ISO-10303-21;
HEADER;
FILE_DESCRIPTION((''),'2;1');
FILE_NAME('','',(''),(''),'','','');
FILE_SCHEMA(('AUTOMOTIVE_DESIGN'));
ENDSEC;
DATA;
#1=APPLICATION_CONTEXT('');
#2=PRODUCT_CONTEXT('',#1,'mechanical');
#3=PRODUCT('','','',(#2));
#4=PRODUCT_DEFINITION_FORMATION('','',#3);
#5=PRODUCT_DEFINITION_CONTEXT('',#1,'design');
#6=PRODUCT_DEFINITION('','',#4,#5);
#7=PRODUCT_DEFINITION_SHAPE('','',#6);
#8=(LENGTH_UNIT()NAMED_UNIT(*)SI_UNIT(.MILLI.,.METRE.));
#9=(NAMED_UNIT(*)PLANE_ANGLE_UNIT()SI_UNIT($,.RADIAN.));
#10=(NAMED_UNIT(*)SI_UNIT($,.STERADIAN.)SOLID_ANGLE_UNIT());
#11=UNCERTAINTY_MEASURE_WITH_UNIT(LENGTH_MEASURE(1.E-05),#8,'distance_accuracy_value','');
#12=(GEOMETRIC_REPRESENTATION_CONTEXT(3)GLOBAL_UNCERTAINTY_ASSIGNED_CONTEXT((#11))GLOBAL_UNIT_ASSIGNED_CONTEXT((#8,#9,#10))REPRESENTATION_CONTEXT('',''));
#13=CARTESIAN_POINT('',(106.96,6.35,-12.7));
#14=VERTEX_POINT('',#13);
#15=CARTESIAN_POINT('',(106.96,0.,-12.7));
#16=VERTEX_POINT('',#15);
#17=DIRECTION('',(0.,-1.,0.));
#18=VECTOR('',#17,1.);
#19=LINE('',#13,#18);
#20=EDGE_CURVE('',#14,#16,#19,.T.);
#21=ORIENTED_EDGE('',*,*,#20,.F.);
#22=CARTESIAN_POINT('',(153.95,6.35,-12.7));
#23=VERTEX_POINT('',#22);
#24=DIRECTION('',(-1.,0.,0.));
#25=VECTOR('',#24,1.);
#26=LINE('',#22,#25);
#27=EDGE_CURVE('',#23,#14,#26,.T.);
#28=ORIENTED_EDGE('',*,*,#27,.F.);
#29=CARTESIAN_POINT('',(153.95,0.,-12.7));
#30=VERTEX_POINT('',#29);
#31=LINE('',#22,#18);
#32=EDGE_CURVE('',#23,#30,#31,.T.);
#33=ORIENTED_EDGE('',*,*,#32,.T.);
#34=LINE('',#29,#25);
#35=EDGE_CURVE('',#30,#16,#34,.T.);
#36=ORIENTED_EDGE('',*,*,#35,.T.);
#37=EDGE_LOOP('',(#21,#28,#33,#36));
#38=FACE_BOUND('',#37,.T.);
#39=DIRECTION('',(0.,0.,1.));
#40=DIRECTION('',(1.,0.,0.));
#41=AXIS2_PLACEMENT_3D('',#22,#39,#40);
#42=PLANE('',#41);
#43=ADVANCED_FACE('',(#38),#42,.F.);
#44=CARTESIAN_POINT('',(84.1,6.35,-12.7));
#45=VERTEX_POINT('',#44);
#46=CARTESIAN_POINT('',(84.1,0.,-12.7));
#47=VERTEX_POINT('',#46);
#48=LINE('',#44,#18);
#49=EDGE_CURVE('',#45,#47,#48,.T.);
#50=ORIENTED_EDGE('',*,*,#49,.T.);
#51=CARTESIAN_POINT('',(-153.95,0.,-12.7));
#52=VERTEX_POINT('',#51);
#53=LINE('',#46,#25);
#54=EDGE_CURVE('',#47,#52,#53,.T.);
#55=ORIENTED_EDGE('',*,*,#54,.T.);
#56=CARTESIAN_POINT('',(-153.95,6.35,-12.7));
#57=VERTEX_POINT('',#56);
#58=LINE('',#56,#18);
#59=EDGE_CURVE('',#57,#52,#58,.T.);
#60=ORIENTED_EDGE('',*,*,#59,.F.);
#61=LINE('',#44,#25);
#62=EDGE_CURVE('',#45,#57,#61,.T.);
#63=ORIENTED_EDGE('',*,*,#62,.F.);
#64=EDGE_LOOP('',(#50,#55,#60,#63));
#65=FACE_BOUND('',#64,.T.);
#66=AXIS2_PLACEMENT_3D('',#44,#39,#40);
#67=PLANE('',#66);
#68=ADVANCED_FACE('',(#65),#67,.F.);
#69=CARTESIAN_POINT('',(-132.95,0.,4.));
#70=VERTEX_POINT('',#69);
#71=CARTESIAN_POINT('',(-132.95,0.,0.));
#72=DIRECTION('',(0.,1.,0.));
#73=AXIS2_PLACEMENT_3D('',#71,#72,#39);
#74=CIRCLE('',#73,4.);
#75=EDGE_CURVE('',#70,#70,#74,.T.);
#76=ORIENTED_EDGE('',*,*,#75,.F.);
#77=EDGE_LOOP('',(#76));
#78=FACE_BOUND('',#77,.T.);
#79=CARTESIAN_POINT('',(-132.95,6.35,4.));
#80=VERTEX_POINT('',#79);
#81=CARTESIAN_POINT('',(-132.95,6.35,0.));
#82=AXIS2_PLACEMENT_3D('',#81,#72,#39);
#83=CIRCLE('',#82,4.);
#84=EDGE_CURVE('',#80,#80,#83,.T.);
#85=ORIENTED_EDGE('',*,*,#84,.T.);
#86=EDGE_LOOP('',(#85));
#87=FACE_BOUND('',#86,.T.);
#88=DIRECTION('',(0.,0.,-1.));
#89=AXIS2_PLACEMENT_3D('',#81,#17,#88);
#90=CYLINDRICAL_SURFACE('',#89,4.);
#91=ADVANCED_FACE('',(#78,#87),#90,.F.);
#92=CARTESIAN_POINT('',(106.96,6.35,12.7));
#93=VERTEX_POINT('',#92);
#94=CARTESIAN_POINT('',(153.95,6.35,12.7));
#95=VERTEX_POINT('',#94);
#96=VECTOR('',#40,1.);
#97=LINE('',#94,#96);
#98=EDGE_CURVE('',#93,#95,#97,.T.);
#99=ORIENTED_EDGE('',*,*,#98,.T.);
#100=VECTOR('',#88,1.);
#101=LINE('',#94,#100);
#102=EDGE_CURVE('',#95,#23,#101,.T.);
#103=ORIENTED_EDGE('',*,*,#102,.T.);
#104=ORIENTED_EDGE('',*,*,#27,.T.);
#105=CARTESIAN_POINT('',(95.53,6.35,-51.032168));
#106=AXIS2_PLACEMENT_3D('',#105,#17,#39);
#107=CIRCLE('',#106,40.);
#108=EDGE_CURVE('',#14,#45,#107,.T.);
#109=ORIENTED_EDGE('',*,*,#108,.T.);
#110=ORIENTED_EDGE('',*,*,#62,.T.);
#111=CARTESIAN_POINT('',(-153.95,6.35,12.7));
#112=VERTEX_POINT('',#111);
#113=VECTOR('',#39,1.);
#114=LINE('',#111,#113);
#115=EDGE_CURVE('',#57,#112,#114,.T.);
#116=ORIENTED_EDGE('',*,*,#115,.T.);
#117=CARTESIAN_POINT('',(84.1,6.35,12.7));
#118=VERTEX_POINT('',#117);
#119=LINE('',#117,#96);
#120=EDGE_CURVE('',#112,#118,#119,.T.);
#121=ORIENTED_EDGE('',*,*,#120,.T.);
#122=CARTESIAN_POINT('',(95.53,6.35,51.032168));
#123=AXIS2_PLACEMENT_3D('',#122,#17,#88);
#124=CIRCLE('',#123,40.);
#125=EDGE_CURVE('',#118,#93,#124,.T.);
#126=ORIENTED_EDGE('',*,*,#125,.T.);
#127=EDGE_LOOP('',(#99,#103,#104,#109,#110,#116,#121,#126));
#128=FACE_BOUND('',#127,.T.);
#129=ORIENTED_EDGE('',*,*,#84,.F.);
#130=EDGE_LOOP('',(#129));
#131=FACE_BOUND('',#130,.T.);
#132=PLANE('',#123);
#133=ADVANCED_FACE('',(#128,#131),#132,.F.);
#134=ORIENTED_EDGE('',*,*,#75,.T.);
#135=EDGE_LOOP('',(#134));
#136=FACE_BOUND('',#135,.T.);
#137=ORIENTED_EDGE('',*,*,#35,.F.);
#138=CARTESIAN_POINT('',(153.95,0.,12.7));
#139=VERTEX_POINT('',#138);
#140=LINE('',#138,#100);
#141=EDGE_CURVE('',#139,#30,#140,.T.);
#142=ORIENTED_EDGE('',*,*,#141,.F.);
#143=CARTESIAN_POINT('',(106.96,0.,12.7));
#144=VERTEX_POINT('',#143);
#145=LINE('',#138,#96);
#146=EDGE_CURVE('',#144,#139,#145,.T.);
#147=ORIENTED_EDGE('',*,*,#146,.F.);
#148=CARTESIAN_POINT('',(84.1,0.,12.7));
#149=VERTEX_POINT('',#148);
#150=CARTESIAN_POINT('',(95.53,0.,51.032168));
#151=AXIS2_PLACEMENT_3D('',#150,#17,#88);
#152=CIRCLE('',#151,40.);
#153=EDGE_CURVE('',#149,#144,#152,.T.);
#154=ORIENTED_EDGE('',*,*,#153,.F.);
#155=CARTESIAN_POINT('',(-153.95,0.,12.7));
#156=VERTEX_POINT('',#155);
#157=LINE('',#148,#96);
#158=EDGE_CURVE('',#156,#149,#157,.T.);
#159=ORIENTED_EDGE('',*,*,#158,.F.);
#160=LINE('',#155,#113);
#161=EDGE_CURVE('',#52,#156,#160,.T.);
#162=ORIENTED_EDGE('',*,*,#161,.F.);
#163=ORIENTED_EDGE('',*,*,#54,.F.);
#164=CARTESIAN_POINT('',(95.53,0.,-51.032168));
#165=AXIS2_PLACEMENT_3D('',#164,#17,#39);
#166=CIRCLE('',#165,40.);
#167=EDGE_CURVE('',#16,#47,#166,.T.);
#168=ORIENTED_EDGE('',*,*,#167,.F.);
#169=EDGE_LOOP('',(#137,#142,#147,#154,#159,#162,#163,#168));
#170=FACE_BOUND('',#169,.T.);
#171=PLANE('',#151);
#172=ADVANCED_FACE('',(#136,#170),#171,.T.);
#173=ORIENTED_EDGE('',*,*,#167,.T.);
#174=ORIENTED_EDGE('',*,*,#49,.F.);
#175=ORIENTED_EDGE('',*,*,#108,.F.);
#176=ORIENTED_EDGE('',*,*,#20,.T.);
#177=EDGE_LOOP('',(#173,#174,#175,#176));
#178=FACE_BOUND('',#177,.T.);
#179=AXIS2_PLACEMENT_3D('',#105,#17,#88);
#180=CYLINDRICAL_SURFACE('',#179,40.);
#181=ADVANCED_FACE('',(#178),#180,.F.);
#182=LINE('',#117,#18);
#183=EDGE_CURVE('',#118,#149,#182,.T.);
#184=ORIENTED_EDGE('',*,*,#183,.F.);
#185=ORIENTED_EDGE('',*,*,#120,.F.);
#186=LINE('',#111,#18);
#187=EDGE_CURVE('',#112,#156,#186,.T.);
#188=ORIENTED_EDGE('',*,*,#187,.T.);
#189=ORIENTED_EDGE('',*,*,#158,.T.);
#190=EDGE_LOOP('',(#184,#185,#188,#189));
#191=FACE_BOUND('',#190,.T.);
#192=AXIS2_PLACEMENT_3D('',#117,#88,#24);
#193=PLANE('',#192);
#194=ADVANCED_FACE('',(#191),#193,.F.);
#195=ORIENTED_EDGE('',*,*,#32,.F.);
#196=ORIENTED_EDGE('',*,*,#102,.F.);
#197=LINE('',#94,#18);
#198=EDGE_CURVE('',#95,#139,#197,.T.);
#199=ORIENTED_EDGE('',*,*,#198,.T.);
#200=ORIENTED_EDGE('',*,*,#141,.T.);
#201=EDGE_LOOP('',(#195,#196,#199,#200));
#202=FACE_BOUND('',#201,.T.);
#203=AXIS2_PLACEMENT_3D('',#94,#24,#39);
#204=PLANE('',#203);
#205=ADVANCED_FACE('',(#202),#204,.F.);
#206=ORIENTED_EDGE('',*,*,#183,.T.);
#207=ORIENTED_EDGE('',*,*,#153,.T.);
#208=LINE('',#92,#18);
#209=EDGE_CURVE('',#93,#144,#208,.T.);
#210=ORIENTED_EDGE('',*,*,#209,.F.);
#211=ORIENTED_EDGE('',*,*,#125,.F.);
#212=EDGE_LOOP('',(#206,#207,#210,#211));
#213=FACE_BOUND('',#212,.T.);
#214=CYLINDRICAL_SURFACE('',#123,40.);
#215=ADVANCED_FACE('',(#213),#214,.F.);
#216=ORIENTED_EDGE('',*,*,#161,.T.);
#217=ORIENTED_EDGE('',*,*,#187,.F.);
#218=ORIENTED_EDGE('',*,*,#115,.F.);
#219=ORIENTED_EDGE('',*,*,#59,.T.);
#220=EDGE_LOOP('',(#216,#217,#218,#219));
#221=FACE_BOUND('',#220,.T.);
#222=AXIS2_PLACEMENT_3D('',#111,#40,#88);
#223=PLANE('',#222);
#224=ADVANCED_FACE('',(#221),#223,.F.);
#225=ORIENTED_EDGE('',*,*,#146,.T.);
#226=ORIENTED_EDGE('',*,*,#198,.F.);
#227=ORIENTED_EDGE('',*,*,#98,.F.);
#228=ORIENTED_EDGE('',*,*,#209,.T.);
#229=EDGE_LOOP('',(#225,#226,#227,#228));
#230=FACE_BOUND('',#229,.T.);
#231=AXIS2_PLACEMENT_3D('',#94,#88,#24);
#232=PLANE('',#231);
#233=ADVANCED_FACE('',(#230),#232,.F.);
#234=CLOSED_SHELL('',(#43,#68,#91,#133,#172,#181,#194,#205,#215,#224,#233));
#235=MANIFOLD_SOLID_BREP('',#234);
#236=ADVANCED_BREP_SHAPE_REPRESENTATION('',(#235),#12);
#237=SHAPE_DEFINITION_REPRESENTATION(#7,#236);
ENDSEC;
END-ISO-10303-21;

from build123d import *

# Parameters (mm, degrees)
SKETCH1_R           = 4
BOSS_EXTRUDE1_DEPTH = 6.35


with BuildPart() as part:
    # Sketch1 → Boss-Extrude1 (new body)
    with BuildSketch(Plane(origin=(0, 0, 0), x_dir=(1, 0, 0), z_dir=(0, 1, 0))):
        with BuildLine():
            Line((84.1, -12.7), (-153.95, -12.7))
            Line((-153.95, -12.7), (-153.95, 12.7))
            Line((-153.95, 12.7), (84.1, 12.7))
            ThreePointArc((84.1, 12.7), (95.53, 11.032167953), (106.96, 12.7))
            Line((106.96, 12.7), (153.95, 12.7))
            Line((153.95, 12.7), (153.95, -12.7))
            Line((153.95, -12.7), (106.96, -12.7))
            ThreePointArc((106.96, -12.7), (95.53, -11.032167953), (84.1, -12.7))
        make_face()
        with Locations(Location((-132.95, 0, 0), (0, 0, 270))):
            Circle(SKETCH1_R, mode=Mode.SUBTRACT)
    extrude(amount=BOSS_EXTRUDE1_DEPTH)


solid = part.part
